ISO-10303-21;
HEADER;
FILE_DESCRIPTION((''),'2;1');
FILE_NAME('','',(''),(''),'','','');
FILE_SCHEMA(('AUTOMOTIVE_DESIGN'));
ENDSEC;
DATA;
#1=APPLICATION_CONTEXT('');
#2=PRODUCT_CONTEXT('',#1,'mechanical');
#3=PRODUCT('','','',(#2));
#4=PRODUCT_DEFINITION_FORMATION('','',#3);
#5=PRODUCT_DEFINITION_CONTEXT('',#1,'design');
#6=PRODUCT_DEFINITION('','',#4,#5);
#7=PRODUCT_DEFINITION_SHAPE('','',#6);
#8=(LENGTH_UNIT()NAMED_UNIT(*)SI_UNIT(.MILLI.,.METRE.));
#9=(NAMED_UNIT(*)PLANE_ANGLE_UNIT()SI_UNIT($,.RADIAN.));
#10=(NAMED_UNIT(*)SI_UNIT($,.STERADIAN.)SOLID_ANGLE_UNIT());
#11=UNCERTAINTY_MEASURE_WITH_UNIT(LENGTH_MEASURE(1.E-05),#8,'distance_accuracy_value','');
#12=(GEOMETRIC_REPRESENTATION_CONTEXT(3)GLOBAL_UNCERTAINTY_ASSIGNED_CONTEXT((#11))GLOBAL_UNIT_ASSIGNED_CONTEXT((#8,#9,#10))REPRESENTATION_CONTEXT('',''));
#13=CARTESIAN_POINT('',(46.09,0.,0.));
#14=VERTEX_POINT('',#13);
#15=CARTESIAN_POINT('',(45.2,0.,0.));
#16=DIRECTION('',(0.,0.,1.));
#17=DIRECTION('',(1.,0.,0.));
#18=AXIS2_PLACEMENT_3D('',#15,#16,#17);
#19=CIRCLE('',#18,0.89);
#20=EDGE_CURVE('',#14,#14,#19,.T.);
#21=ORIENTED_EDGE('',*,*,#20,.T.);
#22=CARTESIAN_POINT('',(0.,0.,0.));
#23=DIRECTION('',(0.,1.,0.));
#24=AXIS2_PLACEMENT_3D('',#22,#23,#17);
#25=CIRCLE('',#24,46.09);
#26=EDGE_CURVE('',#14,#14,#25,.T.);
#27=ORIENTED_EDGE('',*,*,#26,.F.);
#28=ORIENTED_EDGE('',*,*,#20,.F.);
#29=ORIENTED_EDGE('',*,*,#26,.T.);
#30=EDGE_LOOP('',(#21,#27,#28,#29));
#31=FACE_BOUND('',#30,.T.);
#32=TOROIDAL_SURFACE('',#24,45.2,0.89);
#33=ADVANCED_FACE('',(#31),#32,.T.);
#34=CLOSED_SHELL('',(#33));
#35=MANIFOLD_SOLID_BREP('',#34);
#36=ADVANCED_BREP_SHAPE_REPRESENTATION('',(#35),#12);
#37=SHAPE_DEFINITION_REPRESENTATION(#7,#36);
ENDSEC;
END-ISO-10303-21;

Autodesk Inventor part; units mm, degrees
ref_plane "YZ Plane" through (0, 0, 0) normal (1, 0, 0) x (0, 1, 0)
ref_plane "XZ Plane" through (0, 0, 0) normal (0, 1, 0) x (-1, 0, 0)
ref_plane "XY Plane" through (0, 0, 0) normal (0, 0, 1) x (1, 0, 0)
sketch "Boceto1" plane through (0, 0, 0) normal (0, 0, 1) x (1, 0, 0)
  circle A0 centre (45.2, 0) radius 0.89
  line L0 (0, -10.2838) -> (0, 10.2838)
  line L1 (0, 0) -> (45.2, 0) construction
  point P0 (44.31, 0)
  dimension "d0" = 1.78
  dimension "d4" = 88.62
revolve "Revolución1" add sketch "Boceto1" angle 360 about axis through (0, -10.2838, 0) along (0, 1, 0)
sketch "Boceto2" plane through (0, 0, 0) normal (0, 0, 1) x (1, 0, 0)
  line L0 (0, -10.2838) -> (0, 10.2838) projected
  circle A0 centre (37.265, 0) radius 0.89
  point P0 (0, 0)
  point P1 (0, 0)
  point P2 (36.375, 0)
  dimension "d5" = 1.78
  dimension "d6" = 72.75
revolve "Revolución2" [suppressed]
equation "\"d5\" = d0"
properties part number "1.78" material "Caucho"
